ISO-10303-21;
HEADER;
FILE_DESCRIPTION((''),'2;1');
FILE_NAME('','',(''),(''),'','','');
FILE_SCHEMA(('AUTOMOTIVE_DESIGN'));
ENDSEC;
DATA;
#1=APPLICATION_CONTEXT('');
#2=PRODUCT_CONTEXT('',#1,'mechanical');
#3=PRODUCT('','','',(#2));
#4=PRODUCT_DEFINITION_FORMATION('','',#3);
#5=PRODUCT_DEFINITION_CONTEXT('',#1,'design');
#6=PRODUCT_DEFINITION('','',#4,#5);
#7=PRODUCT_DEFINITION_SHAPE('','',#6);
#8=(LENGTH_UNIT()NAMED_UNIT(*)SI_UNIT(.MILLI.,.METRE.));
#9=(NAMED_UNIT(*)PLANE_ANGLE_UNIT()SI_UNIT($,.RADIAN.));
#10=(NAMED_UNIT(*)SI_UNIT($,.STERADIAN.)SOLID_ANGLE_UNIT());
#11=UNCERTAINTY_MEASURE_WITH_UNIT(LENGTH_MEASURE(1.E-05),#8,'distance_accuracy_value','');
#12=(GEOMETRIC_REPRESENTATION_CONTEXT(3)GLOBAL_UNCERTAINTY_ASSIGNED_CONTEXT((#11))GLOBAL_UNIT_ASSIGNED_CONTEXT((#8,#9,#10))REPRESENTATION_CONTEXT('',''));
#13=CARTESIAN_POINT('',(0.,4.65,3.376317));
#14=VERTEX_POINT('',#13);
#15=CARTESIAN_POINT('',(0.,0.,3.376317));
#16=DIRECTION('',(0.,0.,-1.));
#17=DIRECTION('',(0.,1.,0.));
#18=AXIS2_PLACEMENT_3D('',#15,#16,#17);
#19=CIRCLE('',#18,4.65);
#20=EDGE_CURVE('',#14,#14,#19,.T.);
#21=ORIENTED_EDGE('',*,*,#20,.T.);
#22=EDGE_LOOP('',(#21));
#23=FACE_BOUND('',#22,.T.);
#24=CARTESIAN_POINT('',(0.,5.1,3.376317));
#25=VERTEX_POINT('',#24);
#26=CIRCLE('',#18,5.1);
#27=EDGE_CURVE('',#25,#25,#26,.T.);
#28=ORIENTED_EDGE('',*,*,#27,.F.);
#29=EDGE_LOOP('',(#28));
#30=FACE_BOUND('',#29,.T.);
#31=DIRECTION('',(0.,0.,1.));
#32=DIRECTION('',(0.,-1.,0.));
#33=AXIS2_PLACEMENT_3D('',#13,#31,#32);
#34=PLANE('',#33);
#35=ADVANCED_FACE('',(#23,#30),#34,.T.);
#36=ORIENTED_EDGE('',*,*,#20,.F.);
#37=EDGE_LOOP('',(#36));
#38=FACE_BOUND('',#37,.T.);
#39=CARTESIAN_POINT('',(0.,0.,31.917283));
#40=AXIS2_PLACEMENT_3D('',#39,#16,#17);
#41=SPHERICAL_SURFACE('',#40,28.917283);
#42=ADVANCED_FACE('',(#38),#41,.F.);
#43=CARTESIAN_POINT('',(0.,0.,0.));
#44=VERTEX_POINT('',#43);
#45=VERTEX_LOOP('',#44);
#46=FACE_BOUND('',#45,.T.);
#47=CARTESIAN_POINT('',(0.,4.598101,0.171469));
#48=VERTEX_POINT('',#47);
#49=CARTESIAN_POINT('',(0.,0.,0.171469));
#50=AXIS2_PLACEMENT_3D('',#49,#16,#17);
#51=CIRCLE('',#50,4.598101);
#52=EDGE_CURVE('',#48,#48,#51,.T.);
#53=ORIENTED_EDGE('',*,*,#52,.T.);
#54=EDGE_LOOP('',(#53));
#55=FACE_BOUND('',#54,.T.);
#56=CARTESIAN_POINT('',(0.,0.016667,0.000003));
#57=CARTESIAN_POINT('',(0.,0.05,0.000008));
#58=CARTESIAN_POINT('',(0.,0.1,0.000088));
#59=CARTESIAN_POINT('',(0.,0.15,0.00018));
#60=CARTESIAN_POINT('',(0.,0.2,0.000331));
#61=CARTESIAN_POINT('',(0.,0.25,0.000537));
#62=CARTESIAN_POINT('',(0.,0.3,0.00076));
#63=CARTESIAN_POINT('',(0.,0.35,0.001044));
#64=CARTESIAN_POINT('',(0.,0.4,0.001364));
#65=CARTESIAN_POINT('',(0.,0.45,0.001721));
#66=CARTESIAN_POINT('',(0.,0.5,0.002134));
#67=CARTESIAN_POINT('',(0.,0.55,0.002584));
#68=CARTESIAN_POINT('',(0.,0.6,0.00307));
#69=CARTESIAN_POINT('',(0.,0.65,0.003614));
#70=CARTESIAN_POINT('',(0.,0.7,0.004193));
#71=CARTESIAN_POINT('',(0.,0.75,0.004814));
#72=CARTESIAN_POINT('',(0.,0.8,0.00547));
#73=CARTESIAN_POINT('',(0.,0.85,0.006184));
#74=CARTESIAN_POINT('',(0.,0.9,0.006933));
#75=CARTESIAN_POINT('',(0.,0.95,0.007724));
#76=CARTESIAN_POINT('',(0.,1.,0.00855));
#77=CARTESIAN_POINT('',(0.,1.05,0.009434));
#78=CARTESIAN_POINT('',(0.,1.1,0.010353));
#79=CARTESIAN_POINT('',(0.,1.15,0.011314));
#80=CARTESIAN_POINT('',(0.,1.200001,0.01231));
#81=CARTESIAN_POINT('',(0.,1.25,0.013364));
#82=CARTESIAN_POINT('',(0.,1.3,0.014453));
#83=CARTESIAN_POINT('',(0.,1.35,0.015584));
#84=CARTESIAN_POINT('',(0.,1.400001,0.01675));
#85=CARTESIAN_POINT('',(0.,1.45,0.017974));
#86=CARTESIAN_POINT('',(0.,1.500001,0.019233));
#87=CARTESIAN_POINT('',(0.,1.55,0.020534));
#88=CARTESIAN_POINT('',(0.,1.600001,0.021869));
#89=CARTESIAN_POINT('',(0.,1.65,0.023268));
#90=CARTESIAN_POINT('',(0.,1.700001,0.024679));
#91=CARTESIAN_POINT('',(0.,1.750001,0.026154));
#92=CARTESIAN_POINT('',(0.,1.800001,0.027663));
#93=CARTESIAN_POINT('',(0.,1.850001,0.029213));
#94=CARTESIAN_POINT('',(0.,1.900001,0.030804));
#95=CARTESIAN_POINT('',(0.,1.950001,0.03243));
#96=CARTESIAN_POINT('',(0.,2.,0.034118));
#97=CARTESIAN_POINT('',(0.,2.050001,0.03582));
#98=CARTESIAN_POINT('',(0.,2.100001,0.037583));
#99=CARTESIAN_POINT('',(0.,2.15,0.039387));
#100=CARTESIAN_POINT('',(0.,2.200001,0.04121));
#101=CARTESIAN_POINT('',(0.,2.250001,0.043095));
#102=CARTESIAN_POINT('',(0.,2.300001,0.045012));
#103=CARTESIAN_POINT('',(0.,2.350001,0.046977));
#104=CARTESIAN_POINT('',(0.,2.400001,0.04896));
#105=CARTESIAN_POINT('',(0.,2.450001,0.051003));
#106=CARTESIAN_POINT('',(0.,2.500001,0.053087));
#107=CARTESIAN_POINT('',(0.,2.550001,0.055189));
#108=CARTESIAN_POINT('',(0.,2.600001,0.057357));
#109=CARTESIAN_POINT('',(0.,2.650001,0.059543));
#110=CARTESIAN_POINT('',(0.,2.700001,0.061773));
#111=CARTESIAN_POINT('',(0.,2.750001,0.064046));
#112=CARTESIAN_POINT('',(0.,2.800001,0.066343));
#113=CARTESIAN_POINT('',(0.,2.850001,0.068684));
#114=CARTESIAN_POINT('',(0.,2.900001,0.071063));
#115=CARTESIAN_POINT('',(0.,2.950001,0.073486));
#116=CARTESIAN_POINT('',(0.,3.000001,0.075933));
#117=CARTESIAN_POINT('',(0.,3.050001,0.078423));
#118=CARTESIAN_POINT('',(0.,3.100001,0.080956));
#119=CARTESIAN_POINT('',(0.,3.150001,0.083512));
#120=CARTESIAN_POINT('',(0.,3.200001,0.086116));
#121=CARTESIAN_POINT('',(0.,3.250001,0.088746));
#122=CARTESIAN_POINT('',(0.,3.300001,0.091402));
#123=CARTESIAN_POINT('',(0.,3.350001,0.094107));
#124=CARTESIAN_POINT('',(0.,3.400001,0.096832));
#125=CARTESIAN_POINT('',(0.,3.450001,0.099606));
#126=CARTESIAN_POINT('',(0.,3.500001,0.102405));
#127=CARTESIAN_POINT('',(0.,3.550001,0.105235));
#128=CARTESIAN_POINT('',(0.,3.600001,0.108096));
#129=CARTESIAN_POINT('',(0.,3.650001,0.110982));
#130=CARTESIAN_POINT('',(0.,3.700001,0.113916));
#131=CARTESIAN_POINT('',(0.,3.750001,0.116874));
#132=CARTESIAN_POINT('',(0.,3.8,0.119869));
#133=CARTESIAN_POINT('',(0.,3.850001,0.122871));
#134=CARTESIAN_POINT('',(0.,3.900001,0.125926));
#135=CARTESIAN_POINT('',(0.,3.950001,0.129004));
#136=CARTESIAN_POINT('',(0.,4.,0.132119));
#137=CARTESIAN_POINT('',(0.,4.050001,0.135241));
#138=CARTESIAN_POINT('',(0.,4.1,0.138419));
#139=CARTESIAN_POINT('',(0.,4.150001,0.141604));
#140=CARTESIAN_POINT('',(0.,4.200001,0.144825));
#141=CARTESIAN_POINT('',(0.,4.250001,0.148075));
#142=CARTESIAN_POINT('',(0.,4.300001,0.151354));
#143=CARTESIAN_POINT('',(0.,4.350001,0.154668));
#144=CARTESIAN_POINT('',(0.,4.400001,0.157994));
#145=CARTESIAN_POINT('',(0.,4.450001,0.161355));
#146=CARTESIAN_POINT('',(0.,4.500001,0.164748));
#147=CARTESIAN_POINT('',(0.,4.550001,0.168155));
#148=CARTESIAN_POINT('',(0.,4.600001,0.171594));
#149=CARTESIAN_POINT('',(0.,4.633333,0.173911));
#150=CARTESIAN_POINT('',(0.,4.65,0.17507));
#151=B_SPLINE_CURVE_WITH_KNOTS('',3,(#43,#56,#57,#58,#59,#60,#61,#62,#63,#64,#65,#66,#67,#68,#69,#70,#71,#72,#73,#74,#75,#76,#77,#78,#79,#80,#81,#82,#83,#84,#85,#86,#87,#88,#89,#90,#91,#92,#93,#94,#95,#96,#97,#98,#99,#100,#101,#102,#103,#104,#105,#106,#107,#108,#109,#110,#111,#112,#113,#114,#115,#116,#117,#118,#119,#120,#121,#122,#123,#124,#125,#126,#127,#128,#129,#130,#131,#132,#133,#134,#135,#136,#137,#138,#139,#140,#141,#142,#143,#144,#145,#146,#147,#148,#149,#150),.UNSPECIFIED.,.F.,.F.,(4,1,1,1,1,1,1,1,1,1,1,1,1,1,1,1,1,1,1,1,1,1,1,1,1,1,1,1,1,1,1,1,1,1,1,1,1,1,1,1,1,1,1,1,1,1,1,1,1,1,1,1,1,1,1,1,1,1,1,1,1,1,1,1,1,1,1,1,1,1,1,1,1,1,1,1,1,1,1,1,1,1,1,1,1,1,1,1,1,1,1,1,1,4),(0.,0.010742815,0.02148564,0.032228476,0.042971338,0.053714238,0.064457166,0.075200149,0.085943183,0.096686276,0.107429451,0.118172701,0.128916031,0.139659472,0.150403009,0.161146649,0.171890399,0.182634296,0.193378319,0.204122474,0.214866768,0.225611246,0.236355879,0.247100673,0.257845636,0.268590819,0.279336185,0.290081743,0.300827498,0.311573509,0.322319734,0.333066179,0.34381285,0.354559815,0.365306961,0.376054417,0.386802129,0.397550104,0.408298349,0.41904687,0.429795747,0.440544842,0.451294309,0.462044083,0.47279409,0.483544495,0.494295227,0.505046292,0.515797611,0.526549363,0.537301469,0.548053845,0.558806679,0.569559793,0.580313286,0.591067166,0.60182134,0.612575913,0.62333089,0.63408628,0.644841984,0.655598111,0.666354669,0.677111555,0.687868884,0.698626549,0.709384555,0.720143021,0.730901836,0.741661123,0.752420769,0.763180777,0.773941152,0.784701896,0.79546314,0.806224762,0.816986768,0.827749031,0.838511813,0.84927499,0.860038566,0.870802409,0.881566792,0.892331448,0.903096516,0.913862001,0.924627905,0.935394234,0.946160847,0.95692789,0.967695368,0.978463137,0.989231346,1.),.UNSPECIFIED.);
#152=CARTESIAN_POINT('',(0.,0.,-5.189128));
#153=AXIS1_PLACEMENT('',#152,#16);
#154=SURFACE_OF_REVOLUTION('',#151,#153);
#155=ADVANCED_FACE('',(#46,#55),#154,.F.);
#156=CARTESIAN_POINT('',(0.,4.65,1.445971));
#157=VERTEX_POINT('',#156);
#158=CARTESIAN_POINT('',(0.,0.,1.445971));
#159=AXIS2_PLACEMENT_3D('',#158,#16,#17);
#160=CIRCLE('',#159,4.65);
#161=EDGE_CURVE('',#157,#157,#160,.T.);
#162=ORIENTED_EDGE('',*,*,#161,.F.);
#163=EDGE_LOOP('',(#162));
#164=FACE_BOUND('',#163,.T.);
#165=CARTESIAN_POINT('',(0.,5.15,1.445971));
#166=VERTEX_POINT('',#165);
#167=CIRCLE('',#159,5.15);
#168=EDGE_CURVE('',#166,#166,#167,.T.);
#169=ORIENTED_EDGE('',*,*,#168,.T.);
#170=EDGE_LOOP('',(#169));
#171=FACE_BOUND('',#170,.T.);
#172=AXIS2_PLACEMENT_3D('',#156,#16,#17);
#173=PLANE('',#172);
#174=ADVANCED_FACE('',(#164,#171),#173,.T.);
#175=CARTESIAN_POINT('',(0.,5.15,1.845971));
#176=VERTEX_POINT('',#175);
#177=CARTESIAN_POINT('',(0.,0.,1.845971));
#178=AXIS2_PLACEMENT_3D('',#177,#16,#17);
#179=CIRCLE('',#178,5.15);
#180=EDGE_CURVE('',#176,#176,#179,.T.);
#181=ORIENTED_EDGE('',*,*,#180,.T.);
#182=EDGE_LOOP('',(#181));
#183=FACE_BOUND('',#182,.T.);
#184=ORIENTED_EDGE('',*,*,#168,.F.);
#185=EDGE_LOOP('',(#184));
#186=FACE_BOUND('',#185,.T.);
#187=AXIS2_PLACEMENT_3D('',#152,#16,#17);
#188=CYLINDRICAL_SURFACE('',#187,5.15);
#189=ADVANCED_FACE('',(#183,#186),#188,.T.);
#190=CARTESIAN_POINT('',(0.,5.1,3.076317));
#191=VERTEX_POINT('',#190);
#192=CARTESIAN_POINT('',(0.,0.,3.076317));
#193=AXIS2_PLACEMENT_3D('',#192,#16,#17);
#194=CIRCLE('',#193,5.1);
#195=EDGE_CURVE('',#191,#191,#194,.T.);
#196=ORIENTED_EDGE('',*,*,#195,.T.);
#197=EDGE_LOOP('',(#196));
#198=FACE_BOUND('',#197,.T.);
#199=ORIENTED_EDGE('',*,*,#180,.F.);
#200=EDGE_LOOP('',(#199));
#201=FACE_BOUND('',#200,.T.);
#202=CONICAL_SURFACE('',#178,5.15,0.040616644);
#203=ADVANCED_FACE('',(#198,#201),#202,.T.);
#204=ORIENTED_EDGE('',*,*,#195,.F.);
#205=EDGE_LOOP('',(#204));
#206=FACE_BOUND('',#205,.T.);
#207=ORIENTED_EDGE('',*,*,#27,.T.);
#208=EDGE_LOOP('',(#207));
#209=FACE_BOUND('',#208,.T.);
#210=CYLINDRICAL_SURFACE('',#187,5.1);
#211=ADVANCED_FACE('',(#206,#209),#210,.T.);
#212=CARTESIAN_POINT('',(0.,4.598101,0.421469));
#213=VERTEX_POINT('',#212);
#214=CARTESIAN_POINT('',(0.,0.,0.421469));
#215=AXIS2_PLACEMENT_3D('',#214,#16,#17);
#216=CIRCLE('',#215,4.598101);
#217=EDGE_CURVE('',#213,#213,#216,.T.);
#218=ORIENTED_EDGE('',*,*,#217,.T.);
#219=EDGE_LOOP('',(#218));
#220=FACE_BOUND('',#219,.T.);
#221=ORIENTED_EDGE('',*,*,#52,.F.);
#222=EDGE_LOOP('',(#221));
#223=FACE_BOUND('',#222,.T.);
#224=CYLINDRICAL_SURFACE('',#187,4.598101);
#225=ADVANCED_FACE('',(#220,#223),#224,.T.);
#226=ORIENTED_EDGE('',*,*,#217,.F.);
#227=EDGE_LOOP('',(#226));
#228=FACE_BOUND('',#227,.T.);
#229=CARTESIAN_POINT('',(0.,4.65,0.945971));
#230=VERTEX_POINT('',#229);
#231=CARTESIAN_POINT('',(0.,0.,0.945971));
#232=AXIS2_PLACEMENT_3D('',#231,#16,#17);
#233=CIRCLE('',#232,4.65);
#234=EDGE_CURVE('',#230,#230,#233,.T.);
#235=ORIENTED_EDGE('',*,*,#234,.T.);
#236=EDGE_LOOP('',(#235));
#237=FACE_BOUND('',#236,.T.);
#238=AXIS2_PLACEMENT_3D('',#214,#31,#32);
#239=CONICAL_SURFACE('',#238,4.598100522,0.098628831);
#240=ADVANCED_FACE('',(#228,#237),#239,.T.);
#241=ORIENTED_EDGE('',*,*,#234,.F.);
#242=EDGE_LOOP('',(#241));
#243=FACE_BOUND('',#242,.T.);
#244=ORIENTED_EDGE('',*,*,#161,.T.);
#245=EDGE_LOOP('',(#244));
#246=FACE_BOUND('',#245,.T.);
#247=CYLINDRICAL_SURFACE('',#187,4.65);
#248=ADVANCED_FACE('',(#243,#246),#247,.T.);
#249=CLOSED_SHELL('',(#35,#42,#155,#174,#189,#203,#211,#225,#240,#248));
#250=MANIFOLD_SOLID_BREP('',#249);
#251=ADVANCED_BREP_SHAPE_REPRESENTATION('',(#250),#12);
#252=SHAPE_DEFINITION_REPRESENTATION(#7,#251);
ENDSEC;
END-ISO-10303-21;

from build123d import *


with BuildPart() as part:
    # Sketch1 → Revolve1 (revolve)
    with BuildSketch(Plane(origin=(0, 0, 0), x_dir=(0, 0, -1), z_dir=(1, 0, 0))):
        with BuildLine():
            Line((-1.445971311, 4.65), (-1.445971311, 5.15))
            Line((-1.445971311, 5.15), (-1.845971311, 5.15))
            Line((-1.845971311, 5.15), (-3.076316722, 5.1))
            Line((-3.076316722, 5.1), (-3.376316722, 5.1))
            Line((-3.376316722, 5.1), (-3.376316722, 4.65))
            ThreePointArc((-3.376316722, 4.65), (-3.094232719, 2.332601245), (-3, 0))
            Line((-3, 0), (0, 0))
            add(Edge.make_bspline(
                [(0, 0), (-2.675e-06, 0.01666667), (-8.026e-06, 0.050000025), (-8.7895e-05, 0.100000022), (-0.000180393, 0.150000063), (-0.000330536, 0.200000094), (-0.000537467, 0.250000053), (-0.000759597, 0.300000137), (-0.001044147, 0.350000117), (-0.001363821, 0.400000131), (-0.001720577, 0.450000201), (-0.00213388, 0.500000168), (-0.00258391, 0.550000181), (-0.003070489, 0.60000027), (-0.003614151, 0.650000216), (-0.004192925, 0.700000245), (-0.004814168, 0.750000245), (-0.005470422, 0.80000036), (-0.006184171, 0.850000281), (-0.006932922, 0.900000314), (-0.007724172, 0.95000031), (-0.008550424, 1.000000449), (-0.009434173, 1.050000346), (-0.010352924, 1.100000384), (-0.011314174, 1.150000375), (-0.012310428, 1.200000538), (-0.013364176, 1.250000411), (-0.014452926, 1.300000453), (-0.015584178, 1.35000044), (-0.016750427, 1.400000627), (-0.017974197, 1.450000475), (-0.019232861, 1.500000524), (-0.020534438, 1.550000498), (-0.021869472, 1.600000744), (-0.023267779, 1.650000343), (-0.024679493, 1.700000784), (-0.026154367, 1.750000567), (-0.027663148, 1.800000617), (-0.029213151, 1.850000635), (-0.030804364, 1.900000609), (-0.03242952, 1.9500009), (-0.034117709, 2.000000417), (-0.035819762, 2.050000932), (-0.037583409, 2.100000712), (-0.039386752, 2.150000479), (-0.041209716, 2.200000999), (-0.043094579, 2.250000713), (-0.045012147, 2.300000823), (-0.046977008, 2.350000513), (-0.048959975, 2.400001074), (-0.051003318, 2.450000827), (-0.053086955, 2.500000545), (-0.055189036, 2.55000118), (-0.057357151, 2.60000056), (-0.059542551, 2.650000917), (-0.061772874, 2.700000922), (-0.064046189, 2.750000631), (-0.06634257, 2.800000963), (-0.068683782, 2.850000923), (-0.071062569, 2.900000997), (-0.073486209, 2.950000672), (-0.075932824, 3.000001012), (-0.078422781, 3.050001033), (-0.080956347, 3.100000695), (-0.083512081, 3.150001096), (-0.086115631, 3.200000753), (-0.088745651, 3.250000758), (-0.091402026, 3.300001143), (-0.09410657, 3.350000729), (-0.096831979, 3.400001174), (-0.099605857, 3.450000789), (-0.102404883, 3.500000851), (-0.105234896, 3.55000086), (-0.108095823, 3.600000814), (-0.110982119, 3.650001235), (-0.113916085, 3.70000082), (-0.116873864, 3.750000961), (-0.119868764, 3.800000474), (-0.122871331, 3.850001333), (-0.125926314, 3.90000084), (-0.129003762, 3.950001006), (-0.132118968, 4.00000048), (-0.135240638, 4.05000143), (-0.1384189, 4.100000495), (-0.141604042, 4.150001022), (-0.144825285, 4.200000953), (-0.148075192, 4.250000967), (-0.151354329, 4.300001033), (-0.154667867, 4.350000584), (-0.157994497, 4.400001036), (-0.16135453, 4.450001045), (-0.164747775, 4.500000605), (-0.168111531, 4.549367846), (-0.170360364, 4.582067388), (-0.17146867, 4.598100522)],
                knots=[0, 0, 0, 0, 0.010742815, 0.02148564, 0.032228476, 0.042971338, 0.053714238, 0.064457166, 0.075200149, 0.085943183, 0.096686276, 0.107429451, 0.118172701, 0.128916031, 0.139659472, 0.150403009, 0.161146649, 0.171890399, 0.182634296, 0.193378319, 0.204122474, 0.214866768, 0.225611246, 0.236355879, 0.247100673, 0.257845636, 0.268590819, 0.279336185, 0.290081743, 0.300827498, 0.311573509, 0.322319734, 0.333066179, 0.34381285, 0.354559815, 0.365306961, 0.376054417, 0.386802129, 0.397550104, 0.408298349, 0.41904687, 0.429795747, 0.440544842, 0.451294309, 0.462044083, 0.47279409, 0.483544495, 0.494295227, 0.505046292, 0.515797611, 0.526549363, 0.537301469, 0.548053845, 0.558806679, 0.569559793, 0.580313286, 0.591067166, 0.60182134, 0.612575913, 0.62333089, 0.63408628, 0.644841984, 0.655598111, 0.666354669, 0.677111555, 0.687868884, 0.698626549, 0.709384555, 0.720143021, 0.730901836, 0.741661123, 0.752420769, 0.763180777, 0.773941152, 0.784701896, 0.79546314, 0.806224762, 0.816986768, 0.827749031, 0.838511813, 0.84927499, 0.860038566, 0.870802409, 0.881566792, 0.892331448, 0.903096516, 0.913862001, 0.924627905, 0.935394234, 0.946160847, 0.95692789, 0.967695368, 0.978463137, 0.988822257, 0.988822257, 0.988822257, 0.988822257], degree=3))
            Line((-0.17146867, 4.598100522), (-0.42146867, 4.598100522))
            Line((-0.42146867, 4.598100522), (-0.945971311, 4.65))
            Line((-0.945971311, 4.65), (-1.445971311, 4.65))
        make_face()
    revolve(axis=Axis((0, 0, -5.189127774), (0, 0, 1)))


solid = part.part
